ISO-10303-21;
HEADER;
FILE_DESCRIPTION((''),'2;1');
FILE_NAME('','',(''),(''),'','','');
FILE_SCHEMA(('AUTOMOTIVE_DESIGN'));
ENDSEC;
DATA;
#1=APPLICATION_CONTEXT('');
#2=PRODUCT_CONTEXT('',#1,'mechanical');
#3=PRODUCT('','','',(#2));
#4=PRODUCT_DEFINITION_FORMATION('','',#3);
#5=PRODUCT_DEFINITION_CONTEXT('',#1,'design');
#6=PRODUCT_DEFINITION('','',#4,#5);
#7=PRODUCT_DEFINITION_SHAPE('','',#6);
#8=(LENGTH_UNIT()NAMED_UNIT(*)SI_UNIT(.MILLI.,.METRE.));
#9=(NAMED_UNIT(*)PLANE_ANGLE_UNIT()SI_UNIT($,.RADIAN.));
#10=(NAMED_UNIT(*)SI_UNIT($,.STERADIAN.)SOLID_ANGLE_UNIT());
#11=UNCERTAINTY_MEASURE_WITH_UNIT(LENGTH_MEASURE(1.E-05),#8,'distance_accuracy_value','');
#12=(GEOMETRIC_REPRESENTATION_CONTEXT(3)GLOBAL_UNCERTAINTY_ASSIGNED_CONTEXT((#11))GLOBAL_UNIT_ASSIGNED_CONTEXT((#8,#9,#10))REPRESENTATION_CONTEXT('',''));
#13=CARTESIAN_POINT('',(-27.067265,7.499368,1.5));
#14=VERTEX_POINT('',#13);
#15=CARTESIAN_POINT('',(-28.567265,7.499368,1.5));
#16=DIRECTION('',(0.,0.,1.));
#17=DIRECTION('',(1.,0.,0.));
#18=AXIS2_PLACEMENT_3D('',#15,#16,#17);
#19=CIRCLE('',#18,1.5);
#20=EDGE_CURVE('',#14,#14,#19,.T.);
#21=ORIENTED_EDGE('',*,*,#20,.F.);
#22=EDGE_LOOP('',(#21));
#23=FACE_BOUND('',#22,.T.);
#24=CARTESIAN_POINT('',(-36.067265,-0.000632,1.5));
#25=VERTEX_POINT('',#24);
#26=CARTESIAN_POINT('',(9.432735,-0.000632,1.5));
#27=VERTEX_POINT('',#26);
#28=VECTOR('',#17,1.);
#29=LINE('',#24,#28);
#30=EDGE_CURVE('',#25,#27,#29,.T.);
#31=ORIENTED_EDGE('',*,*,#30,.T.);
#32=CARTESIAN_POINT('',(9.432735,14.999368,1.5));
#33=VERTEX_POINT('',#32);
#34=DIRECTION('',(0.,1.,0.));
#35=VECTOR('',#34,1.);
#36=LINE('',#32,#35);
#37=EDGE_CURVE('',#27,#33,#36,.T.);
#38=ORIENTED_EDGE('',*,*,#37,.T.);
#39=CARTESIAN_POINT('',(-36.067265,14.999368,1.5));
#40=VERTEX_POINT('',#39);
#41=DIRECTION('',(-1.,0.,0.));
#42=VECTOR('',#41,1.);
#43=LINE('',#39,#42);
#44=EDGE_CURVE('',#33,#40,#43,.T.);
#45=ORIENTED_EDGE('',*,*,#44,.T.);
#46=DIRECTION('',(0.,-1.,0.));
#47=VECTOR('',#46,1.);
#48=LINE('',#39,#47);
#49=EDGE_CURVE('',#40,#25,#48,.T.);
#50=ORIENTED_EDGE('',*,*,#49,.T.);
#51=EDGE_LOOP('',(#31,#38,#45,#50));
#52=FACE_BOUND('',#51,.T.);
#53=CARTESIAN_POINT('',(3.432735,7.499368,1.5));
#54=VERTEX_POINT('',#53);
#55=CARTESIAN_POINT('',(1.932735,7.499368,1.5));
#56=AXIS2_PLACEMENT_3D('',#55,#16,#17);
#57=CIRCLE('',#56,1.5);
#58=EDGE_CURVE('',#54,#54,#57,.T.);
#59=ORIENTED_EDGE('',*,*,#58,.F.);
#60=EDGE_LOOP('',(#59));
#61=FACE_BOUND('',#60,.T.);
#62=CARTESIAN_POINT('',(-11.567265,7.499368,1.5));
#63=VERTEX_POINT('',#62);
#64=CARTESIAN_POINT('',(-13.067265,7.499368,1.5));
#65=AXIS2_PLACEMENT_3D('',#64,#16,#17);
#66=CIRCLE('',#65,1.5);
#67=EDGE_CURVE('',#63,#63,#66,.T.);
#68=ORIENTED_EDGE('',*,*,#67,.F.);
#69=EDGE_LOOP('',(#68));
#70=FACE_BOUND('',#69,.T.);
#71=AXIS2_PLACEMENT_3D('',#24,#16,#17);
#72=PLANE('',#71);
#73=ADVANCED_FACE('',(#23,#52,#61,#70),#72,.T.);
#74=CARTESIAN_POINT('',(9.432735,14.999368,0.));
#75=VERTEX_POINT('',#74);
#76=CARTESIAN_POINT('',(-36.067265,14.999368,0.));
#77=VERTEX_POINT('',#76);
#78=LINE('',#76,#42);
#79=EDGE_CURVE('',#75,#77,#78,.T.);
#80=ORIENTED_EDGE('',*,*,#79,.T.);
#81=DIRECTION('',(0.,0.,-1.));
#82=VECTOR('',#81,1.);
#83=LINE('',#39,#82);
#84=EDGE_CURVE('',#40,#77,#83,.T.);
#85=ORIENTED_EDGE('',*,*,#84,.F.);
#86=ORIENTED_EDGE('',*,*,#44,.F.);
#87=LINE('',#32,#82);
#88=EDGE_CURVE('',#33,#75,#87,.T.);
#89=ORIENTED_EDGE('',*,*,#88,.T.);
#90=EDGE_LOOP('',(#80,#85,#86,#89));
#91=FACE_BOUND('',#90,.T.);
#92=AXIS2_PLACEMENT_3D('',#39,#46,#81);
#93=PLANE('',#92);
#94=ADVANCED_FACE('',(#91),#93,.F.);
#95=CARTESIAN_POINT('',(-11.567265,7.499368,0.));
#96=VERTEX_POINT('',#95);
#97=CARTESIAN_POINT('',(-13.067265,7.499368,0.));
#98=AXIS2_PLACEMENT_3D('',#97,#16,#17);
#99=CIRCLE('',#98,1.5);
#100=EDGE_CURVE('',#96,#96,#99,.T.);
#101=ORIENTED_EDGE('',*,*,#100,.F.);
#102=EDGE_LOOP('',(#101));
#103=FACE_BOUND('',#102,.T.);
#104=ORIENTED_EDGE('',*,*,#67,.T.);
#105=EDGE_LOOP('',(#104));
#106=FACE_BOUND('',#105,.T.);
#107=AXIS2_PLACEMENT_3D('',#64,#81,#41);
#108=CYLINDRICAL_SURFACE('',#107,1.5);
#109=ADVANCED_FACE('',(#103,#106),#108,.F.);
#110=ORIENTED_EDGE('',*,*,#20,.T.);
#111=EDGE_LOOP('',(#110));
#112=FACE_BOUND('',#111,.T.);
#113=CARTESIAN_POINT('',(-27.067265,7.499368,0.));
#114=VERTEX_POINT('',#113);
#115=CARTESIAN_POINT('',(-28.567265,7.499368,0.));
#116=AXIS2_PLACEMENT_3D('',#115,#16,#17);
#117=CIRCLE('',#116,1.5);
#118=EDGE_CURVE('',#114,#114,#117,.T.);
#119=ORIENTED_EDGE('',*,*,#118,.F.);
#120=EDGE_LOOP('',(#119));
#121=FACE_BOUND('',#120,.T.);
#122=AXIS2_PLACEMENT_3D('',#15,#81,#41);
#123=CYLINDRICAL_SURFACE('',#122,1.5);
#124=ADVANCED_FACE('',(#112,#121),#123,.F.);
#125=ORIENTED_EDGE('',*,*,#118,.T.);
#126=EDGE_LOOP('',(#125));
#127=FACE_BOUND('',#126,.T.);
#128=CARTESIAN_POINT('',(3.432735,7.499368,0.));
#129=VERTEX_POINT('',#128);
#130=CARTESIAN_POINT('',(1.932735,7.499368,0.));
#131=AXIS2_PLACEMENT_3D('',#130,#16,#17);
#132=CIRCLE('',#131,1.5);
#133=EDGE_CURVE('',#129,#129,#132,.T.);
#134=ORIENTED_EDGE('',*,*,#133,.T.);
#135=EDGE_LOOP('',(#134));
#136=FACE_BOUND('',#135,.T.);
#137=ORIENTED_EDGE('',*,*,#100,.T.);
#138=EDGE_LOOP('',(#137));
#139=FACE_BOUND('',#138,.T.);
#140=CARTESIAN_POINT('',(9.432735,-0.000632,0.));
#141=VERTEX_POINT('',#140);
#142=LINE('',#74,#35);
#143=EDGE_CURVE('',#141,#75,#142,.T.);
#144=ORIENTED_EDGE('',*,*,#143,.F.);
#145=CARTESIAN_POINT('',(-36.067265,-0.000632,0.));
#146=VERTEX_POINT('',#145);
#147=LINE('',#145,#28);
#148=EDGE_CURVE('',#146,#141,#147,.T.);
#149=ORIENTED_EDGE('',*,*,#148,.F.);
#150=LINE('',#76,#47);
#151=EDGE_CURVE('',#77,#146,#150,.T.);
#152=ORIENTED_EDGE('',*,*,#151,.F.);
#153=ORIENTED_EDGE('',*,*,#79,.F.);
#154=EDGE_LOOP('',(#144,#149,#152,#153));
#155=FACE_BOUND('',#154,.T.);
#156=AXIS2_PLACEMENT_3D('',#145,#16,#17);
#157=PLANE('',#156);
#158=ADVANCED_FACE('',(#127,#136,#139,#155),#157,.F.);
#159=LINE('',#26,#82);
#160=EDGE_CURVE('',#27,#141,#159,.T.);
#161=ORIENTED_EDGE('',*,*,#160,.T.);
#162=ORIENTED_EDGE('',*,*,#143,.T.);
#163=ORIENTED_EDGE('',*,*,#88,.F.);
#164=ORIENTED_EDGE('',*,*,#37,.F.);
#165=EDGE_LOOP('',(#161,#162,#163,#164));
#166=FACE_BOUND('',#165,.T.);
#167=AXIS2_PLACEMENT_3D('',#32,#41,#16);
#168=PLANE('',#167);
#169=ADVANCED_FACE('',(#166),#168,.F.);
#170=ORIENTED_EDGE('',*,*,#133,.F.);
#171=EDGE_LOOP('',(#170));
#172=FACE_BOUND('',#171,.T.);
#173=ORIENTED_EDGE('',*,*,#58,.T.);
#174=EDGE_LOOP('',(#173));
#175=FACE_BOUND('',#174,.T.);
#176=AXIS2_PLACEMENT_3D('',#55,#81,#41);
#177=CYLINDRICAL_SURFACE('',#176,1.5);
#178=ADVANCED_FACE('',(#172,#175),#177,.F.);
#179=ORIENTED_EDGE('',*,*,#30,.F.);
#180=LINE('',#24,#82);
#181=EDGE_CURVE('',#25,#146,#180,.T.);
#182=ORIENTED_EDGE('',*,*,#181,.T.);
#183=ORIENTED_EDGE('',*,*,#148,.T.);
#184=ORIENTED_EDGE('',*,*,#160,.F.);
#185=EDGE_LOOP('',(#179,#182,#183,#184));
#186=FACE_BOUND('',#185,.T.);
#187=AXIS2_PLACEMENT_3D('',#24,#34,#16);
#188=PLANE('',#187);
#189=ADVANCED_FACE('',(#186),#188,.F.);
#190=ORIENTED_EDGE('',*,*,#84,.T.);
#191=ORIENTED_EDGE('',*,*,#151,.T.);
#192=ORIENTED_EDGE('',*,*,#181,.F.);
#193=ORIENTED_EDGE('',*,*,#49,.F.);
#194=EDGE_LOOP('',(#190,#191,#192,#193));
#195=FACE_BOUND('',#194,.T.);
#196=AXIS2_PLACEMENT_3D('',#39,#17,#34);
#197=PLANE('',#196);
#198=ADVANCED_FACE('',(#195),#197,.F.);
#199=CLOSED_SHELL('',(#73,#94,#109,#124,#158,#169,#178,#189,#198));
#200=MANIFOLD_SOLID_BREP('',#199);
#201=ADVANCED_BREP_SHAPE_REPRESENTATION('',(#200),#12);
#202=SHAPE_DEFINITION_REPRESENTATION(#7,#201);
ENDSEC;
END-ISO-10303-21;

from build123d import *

# Parameters (mm, degrees)
ESQUISSE1_W      = 45.5
ESQUISSE1_H      = 15
ESQUISSE1_R      = 1.5
EXTRUSION1_DEPTH = 1.5


with BuildPart() as part:
    # Esquisse1 → Extrusion1 (new body)
    with BuildSketch(Plane.XY):
        with Locations((-13.317265327, 7.499368421)):
            Rectangle(ESQUISSE1_W, ESQUISSE1_H)
        with Locations((-28.567265327, 7.499368421)):
            Circle(ESQUISSE1_R, mode=Mode.SUBTRACT)
        with Locations((1.932734673, 7.499368421)):
            Circle(ESQUISSE1_R, mode=Mode.SUBTRACT)
        with Locations((-13.067265327, 7.499368421)):
            Circle(ESQUISSE1_R, mode=Mode.SUBTRACT)
    extrude(amount=EXTRUSION1_DEPTH)


solid = part.part
